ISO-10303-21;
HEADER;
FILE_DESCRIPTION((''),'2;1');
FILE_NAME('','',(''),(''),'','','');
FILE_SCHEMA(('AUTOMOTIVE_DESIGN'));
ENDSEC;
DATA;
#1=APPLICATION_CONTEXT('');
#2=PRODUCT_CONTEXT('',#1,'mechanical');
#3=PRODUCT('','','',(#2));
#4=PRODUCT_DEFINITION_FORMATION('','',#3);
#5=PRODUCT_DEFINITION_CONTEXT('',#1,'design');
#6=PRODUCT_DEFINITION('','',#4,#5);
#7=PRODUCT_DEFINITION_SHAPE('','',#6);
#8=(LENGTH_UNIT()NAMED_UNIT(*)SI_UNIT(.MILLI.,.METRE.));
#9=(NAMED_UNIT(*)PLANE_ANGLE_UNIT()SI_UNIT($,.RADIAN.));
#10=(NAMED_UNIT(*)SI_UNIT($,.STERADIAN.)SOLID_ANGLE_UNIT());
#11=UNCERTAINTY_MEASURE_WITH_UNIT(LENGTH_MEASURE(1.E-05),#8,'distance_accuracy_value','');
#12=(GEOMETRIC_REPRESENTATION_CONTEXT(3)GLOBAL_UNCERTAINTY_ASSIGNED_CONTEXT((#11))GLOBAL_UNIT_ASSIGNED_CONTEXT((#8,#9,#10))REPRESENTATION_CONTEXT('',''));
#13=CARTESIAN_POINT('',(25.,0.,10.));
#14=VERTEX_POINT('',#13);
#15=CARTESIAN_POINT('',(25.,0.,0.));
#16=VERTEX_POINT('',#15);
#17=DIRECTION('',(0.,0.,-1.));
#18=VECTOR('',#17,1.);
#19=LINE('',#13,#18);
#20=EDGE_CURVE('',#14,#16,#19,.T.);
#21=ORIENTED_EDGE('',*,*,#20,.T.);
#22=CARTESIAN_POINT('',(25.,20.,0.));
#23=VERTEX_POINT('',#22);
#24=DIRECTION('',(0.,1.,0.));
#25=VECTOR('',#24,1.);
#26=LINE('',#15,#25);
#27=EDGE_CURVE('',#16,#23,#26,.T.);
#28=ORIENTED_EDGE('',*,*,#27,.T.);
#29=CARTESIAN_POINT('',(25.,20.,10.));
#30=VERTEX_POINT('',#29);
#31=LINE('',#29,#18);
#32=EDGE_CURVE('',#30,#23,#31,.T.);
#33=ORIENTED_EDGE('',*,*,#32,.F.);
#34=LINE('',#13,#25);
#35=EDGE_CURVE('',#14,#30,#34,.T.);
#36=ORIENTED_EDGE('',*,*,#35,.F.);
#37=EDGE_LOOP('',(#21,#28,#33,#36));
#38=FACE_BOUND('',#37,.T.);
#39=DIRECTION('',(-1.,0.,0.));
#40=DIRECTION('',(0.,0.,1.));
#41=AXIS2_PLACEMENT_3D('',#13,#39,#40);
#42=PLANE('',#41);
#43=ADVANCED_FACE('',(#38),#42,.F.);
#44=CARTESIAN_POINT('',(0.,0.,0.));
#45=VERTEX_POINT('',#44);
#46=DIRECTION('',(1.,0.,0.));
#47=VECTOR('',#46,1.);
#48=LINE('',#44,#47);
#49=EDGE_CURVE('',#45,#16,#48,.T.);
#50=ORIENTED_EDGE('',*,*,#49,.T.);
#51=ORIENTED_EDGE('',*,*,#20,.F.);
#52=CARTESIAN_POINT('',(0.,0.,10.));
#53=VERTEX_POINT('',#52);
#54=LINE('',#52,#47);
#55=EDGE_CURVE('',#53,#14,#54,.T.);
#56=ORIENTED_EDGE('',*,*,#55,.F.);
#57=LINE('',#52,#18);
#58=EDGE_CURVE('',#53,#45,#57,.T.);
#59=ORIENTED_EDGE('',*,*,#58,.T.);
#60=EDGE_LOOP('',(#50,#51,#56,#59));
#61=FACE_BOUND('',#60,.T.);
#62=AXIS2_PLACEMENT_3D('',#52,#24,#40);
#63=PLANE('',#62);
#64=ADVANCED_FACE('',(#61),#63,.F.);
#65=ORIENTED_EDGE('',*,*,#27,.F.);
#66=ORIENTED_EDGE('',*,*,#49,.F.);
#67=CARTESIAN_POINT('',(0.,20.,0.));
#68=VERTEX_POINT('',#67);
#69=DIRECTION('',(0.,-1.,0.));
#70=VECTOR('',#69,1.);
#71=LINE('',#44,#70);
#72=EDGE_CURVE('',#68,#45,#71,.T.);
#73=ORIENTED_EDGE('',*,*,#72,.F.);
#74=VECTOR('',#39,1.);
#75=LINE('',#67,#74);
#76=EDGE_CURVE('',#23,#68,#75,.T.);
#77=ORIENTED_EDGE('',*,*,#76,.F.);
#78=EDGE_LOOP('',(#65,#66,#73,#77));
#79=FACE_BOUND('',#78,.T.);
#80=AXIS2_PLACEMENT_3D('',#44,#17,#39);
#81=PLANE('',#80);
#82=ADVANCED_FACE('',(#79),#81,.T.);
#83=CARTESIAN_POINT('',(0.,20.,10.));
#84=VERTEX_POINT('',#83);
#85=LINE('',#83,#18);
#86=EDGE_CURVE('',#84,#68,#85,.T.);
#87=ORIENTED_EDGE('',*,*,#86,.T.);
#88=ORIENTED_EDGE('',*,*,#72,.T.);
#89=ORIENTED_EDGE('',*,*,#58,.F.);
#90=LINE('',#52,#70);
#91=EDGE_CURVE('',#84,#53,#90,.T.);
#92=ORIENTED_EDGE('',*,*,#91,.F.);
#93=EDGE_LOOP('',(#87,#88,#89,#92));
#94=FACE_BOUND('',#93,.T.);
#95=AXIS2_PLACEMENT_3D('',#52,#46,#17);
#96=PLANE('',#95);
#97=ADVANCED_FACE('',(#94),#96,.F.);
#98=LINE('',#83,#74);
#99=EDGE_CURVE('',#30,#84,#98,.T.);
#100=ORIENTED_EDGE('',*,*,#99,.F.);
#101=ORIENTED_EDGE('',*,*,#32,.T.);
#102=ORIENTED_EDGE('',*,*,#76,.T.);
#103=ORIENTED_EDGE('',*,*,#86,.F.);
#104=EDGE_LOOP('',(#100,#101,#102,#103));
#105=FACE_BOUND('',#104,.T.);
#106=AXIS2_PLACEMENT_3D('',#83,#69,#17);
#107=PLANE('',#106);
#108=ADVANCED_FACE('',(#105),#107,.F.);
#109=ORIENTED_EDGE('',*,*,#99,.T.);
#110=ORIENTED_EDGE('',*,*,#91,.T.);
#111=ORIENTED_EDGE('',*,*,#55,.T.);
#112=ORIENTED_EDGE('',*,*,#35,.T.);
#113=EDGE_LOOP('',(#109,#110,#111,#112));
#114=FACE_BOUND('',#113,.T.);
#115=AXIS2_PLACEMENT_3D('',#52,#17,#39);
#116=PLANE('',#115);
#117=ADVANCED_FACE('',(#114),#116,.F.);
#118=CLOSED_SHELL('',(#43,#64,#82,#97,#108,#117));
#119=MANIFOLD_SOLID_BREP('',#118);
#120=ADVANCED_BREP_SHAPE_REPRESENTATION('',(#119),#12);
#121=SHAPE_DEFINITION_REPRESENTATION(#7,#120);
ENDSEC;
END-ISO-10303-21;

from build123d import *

# Parameters (mm, degrees)
SKETCH_1_W      = 25
SKETCH_1_H      = 20
EXTRUDE_1_DEPTH = 10


with BuildPart() as part:
    # 草图1 → 凸台-拉伸1 (new body)
    with BuildSketch(Plane.XY):
        with Locations((12.5, 10)):
            Rectangle(SKETCH_1_W, SKETCH_1_H)
    extrude(amount=EXTRUDE_1_DEPTH)


solid = part.part
